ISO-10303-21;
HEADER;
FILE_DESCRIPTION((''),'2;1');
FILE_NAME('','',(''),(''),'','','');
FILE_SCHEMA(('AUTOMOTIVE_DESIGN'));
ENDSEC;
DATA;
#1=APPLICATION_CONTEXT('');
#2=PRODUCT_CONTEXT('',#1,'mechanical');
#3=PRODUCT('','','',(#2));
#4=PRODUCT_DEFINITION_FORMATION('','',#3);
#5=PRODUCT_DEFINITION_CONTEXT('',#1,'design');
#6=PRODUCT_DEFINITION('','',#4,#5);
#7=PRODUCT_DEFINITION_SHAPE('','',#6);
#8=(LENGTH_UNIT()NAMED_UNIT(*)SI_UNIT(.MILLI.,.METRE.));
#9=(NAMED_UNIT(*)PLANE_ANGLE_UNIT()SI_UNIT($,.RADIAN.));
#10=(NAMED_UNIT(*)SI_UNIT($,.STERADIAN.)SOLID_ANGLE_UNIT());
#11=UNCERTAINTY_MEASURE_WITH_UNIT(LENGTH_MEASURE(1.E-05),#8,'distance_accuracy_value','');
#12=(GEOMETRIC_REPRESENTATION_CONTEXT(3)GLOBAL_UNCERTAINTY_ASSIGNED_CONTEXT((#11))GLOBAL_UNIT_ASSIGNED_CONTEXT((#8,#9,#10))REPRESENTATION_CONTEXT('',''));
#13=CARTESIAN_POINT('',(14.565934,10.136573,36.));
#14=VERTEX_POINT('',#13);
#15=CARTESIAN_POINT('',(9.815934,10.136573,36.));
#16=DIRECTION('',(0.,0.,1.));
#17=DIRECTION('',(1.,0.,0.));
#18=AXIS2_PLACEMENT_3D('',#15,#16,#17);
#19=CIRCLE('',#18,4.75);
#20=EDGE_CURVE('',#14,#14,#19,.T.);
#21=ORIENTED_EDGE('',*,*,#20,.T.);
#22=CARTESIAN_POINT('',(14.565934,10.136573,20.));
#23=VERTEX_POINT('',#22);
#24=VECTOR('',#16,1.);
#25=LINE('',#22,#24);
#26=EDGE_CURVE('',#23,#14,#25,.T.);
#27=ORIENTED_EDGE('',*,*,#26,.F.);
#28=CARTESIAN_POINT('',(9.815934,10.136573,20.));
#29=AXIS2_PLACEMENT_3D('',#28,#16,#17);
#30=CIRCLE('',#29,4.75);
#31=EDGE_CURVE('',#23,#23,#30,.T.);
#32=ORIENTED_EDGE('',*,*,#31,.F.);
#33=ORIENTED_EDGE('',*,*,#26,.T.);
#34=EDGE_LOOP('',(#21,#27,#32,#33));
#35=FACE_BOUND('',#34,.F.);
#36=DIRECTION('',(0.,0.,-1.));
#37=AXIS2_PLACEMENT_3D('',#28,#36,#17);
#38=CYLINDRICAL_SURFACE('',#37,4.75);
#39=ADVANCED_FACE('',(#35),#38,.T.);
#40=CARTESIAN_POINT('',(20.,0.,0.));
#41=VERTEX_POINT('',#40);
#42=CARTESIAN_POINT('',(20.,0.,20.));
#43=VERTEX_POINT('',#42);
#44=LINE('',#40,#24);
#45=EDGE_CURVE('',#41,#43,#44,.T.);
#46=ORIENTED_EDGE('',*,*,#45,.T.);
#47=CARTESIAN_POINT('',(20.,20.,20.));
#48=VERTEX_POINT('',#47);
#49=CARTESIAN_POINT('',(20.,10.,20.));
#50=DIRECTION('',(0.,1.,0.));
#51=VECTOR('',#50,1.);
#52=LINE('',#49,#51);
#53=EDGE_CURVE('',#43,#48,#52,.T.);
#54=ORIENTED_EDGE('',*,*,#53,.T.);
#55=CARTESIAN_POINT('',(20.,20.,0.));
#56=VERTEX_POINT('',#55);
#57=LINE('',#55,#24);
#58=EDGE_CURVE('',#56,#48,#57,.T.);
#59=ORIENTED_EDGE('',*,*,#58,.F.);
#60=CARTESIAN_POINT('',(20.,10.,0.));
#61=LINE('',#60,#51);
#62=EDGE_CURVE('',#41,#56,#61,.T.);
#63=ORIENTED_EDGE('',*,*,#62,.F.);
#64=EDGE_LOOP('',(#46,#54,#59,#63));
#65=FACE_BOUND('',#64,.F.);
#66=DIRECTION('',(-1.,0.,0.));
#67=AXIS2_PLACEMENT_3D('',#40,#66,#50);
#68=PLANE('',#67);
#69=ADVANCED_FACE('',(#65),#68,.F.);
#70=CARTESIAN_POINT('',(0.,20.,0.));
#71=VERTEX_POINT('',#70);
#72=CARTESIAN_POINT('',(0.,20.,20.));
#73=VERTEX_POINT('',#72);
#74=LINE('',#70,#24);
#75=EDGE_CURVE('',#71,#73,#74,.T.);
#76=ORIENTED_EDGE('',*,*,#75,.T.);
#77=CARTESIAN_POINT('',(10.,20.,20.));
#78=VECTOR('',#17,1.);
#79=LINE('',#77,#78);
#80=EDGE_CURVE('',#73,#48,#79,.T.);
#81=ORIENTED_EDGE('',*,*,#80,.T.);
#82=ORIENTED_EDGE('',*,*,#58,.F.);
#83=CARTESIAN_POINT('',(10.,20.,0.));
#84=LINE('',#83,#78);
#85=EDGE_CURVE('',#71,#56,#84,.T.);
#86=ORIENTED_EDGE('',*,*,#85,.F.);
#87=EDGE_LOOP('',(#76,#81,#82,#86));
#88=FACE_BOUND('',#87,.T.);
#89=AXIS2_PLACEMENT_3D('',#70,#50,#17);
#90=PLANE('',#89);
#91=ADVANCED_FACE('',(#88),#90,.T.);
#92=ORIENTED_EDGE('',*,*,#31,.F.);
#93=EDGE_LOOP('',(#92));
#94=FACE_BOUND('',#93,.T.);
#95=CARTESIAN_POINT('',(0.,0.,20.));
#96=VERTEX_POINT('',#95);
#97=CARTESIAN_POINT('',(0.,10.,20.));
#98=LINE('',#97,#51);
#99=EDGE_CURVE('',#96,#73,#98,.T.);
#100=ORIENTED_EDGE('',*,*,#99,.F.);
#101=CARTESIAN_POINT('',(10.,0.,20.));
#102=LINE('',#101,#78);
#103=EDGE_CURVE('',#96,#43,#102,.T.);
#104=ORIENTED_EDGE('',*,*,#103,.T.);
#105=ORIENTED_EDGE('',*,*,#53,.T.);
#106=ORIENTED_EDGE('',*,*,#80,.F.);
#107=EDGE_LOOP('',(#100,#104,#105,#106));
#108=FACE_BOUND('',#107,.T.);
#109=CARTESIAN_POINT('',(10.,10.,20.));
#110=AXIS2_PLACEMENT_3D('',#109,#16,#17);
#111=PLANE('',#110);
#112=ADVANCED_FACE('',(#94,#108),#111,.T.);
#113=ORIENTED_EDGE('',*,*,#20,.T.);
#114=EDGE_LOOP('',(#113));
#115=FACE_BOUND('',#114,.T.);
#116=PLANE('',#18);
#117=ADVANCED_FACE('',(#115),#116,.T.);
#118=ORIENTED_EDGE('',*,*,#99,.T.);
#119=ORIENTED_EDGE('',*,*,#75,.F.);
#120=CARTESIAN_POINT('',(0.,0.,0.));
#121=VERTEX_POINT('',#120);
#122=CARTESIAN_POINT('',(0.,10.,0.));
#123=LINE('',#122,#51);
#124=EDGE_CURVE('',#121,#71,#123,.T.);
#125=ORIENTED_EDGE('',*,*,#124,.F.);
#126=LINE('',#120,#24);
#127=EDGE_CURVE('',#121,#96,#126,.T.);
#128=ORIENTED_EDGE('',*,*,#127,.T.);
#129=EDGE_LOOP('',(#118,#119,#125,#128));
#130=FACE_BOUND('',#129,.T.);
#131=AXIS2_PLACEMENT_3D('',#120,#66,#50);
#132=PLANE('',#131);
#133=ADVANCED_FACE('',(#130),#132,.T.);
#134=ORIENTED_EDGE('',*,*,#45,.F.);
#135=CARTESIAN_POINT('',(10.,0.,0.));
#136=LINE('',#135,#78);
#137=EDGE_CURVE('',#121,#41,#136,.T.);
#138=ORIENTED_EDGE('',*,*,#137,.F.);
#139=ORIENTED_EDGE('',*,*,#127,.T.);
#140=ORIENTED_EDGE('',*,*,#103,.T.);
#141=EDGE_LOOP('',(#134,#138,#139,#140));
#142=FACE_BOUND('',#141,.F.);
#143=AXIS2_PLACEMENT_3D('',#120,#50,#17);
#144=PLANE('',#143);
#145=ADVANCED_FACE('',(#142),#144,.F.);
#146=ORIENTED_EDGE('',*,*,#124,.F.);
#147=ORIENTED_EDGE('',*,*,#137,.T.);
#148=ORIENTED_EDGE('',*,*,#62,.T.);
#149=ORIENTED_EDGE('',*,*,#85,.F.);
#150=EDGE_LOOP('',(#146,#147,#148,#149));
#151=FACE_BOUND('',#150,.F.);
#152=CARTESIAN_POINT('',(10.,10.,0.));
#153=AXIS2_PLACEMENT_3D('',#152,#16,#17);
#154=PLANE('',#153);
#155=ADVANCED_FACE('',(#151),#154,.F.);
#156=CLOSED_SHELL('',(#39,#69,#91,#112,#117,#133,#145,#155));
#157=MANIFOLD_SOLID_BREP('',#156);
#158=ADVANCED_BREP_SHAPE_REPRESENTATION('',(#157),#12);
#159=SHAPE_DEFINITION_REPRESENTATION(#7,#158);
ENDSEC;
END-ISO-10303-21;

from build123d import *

# Parameters (mm, degrees)
SKETCH_W     = 20
SKETCH_H     = 20
PAD_DEPTH    = 20
SKETCH001_R  = 4.75
PAD001_DEPTH = 16


with BuildPart() as part:
    # Sketch → Pad (new body)
    with BuildSketch(Plane.XY):
        with Locations((10, 10)):
            Rectangle(SKETCH_W, SKETCH_H)
    extrude(amount=PAD_DEPTH)

    # Sketch001 (on Face6 of Pad) → Pad001 (join)
    with BuildSketch(Plane.XY.offset(20)):
        with Locations((9.815934, 10.136573)):
            Circle(SKETCH001_R)
    extrude(amount=PAD001_DEPTH)


solid = part.part
